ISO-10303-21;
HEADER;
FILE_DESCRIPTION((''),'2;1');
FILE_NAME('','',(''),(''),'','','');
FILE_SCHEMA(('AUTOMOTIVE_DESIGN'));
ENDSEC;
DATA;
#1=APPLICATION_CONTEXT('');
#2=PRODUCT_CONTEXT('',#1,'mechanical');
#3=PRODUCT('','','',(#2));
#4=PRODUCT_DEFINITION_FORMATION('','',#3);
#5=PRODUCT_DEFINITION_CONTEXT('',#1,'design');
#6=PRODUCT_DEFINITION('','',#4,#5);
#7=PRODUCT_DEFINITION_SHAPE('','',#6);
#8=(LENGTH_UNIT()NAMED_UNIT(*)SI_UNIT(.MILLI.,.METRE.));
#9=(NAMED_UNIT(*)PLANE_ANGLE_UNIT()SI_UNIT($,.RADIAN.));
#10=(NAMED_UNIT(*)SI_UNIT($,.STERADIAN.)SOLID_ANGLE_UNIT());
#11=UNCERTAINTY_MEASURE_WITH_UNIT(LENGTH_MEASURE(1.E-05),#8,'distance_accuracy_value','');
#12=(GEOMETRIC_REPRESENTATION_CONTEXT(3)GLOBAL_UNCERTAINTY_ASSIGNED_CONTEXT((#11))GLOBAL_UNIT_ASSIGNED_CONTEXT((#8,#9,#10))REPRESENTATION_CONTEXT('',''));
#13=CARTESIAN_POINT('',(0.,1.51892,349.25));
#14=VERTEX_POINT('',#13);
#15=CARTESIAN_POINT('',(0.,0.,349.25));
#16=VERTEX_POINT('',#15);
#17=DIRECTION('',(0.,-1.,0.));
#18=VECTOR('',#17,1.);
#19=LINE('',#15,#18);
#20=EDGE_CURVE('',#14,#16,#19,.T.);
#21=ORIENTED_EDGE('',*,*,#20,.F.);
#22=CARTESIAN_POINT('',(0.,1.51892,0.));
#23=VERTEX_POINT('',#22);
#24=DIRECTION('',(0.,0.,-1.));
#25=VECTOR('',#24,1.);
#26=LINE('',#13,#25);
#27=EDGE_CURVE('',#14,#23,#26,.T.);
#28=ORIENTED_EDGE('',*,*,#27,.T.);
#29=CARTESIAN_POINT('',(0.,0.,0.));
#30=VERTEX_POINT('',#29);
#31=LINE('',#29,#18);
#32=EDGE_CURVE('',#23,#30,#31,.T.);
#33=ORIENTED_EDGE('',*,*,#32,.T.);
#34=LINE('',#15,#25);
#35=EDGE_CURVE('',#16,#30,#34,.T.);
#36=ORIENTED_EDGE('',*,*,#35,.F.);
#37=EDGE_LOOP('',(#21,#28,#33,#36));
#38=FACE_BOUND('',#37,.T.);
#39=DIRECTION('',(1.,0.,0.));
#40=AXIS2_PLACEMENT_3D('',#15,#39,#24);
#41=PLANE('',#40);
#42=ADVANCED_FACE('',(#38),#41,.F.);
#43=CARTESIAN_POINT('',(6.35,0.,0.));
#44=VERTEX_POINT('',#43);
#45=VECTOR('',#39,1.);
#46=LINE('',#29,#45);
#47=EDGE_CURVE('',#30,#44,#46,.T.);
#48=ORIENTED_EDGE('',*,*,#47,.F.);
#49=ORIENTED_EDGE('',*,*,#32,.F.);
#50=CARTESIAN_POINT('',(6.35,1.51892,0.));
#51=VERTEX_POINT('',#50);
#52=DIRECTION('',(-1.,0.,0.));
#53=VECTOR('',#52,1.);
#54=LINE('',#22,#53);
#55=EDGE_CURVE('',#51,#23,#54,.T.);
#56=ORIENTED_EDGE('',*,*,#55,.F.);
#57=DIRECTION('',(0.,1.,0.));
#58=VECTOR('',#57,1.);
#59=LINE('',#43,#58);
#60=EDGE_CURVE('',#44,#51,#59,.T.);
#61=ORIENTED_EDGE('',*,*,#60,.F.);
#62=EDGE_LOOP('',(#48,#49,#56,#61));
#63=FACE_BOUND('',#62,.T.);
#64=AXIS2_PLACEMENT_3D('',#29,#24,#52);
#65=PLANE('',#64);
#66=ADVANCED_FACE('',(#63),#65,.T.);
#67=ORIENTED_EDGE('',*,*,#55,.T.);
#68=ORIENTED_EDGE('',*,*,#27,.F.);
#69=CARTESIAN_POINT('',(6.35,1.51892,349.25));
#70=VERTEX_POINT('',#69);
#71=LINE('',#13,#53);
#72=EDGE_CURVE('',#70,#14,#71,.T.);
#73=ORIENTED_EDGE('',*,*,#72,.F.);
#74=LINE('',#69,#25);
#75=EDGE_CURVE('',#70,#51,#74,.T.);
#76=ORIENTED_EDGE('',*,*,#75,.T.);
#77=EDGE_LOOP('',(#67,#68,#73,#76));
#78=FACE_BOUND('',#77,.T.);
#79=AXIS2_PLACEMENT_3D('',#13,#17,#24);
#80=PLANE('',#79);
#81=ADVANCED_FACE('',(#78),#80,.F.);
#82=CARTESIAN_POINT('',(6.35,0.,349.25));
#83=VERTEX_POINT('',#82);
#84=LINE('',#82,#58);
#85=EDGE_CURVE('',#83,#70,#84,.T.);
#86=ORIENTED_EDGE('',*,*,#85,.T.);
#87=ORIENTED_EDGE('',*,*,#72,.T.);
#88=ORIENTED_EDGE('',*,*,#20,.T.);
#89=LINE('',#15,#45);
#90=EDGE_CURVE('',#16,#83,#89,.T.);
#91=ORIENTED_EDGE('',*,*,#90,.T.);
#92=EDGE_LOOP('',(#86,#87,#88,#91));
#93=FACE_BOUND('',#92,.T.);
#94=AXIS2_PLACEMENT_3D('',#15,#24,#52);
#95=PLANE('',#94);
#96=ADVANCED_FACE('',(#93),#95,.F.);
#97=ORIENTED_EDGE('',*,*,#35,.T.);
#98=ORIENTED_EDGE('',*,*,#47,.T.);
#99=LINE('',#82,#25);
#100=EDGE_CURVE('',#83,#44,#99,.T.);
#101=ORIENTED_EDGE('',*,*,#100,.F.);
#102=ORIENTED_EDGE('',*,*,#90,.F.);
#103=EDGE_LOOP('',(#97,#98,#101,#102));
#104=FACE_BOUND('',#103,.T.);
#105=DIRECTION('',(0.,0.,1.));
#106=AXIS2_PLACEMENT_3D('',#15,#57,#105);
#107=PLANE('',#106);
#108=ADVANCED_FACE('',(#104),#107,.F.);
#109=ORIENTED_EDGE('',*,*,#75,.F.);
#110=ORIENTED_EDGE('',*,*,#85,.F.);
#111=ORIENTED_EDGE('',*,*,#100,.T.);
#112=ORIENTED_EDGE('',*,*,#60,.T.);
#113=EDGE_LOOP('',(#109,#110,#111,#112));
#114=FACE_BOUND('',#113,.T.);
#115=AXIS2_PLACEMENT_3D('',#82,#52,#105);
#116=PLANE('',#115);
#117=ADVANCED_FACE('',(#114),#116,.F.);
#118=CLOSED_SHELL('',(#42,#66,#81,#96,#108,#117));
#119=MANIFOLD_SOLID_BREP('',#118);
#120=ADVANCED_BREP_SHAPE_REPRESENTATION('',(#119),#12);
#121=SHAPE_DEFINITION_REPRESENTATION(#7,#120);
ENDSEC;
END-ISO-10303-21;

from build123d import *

# Parameters (mm, degrees)
SKETCH1_W           = 6.35
SKETCH1_H           = 1.51892
BOSS_EXTRUDE1_DEPTH = 349.25


with BuildPart() as part:
    # Sketch1 → Boss-Extrude1 (new body)
    with BuildSketch(Plane.XY):
        with Locations((3.175, 0.75946)):
            Rectangle(SKETCH1_W, SKETCH1_H)
    extrude(amount=BOSS_EXTRUDE1_DEPTH)


solid = part.part
